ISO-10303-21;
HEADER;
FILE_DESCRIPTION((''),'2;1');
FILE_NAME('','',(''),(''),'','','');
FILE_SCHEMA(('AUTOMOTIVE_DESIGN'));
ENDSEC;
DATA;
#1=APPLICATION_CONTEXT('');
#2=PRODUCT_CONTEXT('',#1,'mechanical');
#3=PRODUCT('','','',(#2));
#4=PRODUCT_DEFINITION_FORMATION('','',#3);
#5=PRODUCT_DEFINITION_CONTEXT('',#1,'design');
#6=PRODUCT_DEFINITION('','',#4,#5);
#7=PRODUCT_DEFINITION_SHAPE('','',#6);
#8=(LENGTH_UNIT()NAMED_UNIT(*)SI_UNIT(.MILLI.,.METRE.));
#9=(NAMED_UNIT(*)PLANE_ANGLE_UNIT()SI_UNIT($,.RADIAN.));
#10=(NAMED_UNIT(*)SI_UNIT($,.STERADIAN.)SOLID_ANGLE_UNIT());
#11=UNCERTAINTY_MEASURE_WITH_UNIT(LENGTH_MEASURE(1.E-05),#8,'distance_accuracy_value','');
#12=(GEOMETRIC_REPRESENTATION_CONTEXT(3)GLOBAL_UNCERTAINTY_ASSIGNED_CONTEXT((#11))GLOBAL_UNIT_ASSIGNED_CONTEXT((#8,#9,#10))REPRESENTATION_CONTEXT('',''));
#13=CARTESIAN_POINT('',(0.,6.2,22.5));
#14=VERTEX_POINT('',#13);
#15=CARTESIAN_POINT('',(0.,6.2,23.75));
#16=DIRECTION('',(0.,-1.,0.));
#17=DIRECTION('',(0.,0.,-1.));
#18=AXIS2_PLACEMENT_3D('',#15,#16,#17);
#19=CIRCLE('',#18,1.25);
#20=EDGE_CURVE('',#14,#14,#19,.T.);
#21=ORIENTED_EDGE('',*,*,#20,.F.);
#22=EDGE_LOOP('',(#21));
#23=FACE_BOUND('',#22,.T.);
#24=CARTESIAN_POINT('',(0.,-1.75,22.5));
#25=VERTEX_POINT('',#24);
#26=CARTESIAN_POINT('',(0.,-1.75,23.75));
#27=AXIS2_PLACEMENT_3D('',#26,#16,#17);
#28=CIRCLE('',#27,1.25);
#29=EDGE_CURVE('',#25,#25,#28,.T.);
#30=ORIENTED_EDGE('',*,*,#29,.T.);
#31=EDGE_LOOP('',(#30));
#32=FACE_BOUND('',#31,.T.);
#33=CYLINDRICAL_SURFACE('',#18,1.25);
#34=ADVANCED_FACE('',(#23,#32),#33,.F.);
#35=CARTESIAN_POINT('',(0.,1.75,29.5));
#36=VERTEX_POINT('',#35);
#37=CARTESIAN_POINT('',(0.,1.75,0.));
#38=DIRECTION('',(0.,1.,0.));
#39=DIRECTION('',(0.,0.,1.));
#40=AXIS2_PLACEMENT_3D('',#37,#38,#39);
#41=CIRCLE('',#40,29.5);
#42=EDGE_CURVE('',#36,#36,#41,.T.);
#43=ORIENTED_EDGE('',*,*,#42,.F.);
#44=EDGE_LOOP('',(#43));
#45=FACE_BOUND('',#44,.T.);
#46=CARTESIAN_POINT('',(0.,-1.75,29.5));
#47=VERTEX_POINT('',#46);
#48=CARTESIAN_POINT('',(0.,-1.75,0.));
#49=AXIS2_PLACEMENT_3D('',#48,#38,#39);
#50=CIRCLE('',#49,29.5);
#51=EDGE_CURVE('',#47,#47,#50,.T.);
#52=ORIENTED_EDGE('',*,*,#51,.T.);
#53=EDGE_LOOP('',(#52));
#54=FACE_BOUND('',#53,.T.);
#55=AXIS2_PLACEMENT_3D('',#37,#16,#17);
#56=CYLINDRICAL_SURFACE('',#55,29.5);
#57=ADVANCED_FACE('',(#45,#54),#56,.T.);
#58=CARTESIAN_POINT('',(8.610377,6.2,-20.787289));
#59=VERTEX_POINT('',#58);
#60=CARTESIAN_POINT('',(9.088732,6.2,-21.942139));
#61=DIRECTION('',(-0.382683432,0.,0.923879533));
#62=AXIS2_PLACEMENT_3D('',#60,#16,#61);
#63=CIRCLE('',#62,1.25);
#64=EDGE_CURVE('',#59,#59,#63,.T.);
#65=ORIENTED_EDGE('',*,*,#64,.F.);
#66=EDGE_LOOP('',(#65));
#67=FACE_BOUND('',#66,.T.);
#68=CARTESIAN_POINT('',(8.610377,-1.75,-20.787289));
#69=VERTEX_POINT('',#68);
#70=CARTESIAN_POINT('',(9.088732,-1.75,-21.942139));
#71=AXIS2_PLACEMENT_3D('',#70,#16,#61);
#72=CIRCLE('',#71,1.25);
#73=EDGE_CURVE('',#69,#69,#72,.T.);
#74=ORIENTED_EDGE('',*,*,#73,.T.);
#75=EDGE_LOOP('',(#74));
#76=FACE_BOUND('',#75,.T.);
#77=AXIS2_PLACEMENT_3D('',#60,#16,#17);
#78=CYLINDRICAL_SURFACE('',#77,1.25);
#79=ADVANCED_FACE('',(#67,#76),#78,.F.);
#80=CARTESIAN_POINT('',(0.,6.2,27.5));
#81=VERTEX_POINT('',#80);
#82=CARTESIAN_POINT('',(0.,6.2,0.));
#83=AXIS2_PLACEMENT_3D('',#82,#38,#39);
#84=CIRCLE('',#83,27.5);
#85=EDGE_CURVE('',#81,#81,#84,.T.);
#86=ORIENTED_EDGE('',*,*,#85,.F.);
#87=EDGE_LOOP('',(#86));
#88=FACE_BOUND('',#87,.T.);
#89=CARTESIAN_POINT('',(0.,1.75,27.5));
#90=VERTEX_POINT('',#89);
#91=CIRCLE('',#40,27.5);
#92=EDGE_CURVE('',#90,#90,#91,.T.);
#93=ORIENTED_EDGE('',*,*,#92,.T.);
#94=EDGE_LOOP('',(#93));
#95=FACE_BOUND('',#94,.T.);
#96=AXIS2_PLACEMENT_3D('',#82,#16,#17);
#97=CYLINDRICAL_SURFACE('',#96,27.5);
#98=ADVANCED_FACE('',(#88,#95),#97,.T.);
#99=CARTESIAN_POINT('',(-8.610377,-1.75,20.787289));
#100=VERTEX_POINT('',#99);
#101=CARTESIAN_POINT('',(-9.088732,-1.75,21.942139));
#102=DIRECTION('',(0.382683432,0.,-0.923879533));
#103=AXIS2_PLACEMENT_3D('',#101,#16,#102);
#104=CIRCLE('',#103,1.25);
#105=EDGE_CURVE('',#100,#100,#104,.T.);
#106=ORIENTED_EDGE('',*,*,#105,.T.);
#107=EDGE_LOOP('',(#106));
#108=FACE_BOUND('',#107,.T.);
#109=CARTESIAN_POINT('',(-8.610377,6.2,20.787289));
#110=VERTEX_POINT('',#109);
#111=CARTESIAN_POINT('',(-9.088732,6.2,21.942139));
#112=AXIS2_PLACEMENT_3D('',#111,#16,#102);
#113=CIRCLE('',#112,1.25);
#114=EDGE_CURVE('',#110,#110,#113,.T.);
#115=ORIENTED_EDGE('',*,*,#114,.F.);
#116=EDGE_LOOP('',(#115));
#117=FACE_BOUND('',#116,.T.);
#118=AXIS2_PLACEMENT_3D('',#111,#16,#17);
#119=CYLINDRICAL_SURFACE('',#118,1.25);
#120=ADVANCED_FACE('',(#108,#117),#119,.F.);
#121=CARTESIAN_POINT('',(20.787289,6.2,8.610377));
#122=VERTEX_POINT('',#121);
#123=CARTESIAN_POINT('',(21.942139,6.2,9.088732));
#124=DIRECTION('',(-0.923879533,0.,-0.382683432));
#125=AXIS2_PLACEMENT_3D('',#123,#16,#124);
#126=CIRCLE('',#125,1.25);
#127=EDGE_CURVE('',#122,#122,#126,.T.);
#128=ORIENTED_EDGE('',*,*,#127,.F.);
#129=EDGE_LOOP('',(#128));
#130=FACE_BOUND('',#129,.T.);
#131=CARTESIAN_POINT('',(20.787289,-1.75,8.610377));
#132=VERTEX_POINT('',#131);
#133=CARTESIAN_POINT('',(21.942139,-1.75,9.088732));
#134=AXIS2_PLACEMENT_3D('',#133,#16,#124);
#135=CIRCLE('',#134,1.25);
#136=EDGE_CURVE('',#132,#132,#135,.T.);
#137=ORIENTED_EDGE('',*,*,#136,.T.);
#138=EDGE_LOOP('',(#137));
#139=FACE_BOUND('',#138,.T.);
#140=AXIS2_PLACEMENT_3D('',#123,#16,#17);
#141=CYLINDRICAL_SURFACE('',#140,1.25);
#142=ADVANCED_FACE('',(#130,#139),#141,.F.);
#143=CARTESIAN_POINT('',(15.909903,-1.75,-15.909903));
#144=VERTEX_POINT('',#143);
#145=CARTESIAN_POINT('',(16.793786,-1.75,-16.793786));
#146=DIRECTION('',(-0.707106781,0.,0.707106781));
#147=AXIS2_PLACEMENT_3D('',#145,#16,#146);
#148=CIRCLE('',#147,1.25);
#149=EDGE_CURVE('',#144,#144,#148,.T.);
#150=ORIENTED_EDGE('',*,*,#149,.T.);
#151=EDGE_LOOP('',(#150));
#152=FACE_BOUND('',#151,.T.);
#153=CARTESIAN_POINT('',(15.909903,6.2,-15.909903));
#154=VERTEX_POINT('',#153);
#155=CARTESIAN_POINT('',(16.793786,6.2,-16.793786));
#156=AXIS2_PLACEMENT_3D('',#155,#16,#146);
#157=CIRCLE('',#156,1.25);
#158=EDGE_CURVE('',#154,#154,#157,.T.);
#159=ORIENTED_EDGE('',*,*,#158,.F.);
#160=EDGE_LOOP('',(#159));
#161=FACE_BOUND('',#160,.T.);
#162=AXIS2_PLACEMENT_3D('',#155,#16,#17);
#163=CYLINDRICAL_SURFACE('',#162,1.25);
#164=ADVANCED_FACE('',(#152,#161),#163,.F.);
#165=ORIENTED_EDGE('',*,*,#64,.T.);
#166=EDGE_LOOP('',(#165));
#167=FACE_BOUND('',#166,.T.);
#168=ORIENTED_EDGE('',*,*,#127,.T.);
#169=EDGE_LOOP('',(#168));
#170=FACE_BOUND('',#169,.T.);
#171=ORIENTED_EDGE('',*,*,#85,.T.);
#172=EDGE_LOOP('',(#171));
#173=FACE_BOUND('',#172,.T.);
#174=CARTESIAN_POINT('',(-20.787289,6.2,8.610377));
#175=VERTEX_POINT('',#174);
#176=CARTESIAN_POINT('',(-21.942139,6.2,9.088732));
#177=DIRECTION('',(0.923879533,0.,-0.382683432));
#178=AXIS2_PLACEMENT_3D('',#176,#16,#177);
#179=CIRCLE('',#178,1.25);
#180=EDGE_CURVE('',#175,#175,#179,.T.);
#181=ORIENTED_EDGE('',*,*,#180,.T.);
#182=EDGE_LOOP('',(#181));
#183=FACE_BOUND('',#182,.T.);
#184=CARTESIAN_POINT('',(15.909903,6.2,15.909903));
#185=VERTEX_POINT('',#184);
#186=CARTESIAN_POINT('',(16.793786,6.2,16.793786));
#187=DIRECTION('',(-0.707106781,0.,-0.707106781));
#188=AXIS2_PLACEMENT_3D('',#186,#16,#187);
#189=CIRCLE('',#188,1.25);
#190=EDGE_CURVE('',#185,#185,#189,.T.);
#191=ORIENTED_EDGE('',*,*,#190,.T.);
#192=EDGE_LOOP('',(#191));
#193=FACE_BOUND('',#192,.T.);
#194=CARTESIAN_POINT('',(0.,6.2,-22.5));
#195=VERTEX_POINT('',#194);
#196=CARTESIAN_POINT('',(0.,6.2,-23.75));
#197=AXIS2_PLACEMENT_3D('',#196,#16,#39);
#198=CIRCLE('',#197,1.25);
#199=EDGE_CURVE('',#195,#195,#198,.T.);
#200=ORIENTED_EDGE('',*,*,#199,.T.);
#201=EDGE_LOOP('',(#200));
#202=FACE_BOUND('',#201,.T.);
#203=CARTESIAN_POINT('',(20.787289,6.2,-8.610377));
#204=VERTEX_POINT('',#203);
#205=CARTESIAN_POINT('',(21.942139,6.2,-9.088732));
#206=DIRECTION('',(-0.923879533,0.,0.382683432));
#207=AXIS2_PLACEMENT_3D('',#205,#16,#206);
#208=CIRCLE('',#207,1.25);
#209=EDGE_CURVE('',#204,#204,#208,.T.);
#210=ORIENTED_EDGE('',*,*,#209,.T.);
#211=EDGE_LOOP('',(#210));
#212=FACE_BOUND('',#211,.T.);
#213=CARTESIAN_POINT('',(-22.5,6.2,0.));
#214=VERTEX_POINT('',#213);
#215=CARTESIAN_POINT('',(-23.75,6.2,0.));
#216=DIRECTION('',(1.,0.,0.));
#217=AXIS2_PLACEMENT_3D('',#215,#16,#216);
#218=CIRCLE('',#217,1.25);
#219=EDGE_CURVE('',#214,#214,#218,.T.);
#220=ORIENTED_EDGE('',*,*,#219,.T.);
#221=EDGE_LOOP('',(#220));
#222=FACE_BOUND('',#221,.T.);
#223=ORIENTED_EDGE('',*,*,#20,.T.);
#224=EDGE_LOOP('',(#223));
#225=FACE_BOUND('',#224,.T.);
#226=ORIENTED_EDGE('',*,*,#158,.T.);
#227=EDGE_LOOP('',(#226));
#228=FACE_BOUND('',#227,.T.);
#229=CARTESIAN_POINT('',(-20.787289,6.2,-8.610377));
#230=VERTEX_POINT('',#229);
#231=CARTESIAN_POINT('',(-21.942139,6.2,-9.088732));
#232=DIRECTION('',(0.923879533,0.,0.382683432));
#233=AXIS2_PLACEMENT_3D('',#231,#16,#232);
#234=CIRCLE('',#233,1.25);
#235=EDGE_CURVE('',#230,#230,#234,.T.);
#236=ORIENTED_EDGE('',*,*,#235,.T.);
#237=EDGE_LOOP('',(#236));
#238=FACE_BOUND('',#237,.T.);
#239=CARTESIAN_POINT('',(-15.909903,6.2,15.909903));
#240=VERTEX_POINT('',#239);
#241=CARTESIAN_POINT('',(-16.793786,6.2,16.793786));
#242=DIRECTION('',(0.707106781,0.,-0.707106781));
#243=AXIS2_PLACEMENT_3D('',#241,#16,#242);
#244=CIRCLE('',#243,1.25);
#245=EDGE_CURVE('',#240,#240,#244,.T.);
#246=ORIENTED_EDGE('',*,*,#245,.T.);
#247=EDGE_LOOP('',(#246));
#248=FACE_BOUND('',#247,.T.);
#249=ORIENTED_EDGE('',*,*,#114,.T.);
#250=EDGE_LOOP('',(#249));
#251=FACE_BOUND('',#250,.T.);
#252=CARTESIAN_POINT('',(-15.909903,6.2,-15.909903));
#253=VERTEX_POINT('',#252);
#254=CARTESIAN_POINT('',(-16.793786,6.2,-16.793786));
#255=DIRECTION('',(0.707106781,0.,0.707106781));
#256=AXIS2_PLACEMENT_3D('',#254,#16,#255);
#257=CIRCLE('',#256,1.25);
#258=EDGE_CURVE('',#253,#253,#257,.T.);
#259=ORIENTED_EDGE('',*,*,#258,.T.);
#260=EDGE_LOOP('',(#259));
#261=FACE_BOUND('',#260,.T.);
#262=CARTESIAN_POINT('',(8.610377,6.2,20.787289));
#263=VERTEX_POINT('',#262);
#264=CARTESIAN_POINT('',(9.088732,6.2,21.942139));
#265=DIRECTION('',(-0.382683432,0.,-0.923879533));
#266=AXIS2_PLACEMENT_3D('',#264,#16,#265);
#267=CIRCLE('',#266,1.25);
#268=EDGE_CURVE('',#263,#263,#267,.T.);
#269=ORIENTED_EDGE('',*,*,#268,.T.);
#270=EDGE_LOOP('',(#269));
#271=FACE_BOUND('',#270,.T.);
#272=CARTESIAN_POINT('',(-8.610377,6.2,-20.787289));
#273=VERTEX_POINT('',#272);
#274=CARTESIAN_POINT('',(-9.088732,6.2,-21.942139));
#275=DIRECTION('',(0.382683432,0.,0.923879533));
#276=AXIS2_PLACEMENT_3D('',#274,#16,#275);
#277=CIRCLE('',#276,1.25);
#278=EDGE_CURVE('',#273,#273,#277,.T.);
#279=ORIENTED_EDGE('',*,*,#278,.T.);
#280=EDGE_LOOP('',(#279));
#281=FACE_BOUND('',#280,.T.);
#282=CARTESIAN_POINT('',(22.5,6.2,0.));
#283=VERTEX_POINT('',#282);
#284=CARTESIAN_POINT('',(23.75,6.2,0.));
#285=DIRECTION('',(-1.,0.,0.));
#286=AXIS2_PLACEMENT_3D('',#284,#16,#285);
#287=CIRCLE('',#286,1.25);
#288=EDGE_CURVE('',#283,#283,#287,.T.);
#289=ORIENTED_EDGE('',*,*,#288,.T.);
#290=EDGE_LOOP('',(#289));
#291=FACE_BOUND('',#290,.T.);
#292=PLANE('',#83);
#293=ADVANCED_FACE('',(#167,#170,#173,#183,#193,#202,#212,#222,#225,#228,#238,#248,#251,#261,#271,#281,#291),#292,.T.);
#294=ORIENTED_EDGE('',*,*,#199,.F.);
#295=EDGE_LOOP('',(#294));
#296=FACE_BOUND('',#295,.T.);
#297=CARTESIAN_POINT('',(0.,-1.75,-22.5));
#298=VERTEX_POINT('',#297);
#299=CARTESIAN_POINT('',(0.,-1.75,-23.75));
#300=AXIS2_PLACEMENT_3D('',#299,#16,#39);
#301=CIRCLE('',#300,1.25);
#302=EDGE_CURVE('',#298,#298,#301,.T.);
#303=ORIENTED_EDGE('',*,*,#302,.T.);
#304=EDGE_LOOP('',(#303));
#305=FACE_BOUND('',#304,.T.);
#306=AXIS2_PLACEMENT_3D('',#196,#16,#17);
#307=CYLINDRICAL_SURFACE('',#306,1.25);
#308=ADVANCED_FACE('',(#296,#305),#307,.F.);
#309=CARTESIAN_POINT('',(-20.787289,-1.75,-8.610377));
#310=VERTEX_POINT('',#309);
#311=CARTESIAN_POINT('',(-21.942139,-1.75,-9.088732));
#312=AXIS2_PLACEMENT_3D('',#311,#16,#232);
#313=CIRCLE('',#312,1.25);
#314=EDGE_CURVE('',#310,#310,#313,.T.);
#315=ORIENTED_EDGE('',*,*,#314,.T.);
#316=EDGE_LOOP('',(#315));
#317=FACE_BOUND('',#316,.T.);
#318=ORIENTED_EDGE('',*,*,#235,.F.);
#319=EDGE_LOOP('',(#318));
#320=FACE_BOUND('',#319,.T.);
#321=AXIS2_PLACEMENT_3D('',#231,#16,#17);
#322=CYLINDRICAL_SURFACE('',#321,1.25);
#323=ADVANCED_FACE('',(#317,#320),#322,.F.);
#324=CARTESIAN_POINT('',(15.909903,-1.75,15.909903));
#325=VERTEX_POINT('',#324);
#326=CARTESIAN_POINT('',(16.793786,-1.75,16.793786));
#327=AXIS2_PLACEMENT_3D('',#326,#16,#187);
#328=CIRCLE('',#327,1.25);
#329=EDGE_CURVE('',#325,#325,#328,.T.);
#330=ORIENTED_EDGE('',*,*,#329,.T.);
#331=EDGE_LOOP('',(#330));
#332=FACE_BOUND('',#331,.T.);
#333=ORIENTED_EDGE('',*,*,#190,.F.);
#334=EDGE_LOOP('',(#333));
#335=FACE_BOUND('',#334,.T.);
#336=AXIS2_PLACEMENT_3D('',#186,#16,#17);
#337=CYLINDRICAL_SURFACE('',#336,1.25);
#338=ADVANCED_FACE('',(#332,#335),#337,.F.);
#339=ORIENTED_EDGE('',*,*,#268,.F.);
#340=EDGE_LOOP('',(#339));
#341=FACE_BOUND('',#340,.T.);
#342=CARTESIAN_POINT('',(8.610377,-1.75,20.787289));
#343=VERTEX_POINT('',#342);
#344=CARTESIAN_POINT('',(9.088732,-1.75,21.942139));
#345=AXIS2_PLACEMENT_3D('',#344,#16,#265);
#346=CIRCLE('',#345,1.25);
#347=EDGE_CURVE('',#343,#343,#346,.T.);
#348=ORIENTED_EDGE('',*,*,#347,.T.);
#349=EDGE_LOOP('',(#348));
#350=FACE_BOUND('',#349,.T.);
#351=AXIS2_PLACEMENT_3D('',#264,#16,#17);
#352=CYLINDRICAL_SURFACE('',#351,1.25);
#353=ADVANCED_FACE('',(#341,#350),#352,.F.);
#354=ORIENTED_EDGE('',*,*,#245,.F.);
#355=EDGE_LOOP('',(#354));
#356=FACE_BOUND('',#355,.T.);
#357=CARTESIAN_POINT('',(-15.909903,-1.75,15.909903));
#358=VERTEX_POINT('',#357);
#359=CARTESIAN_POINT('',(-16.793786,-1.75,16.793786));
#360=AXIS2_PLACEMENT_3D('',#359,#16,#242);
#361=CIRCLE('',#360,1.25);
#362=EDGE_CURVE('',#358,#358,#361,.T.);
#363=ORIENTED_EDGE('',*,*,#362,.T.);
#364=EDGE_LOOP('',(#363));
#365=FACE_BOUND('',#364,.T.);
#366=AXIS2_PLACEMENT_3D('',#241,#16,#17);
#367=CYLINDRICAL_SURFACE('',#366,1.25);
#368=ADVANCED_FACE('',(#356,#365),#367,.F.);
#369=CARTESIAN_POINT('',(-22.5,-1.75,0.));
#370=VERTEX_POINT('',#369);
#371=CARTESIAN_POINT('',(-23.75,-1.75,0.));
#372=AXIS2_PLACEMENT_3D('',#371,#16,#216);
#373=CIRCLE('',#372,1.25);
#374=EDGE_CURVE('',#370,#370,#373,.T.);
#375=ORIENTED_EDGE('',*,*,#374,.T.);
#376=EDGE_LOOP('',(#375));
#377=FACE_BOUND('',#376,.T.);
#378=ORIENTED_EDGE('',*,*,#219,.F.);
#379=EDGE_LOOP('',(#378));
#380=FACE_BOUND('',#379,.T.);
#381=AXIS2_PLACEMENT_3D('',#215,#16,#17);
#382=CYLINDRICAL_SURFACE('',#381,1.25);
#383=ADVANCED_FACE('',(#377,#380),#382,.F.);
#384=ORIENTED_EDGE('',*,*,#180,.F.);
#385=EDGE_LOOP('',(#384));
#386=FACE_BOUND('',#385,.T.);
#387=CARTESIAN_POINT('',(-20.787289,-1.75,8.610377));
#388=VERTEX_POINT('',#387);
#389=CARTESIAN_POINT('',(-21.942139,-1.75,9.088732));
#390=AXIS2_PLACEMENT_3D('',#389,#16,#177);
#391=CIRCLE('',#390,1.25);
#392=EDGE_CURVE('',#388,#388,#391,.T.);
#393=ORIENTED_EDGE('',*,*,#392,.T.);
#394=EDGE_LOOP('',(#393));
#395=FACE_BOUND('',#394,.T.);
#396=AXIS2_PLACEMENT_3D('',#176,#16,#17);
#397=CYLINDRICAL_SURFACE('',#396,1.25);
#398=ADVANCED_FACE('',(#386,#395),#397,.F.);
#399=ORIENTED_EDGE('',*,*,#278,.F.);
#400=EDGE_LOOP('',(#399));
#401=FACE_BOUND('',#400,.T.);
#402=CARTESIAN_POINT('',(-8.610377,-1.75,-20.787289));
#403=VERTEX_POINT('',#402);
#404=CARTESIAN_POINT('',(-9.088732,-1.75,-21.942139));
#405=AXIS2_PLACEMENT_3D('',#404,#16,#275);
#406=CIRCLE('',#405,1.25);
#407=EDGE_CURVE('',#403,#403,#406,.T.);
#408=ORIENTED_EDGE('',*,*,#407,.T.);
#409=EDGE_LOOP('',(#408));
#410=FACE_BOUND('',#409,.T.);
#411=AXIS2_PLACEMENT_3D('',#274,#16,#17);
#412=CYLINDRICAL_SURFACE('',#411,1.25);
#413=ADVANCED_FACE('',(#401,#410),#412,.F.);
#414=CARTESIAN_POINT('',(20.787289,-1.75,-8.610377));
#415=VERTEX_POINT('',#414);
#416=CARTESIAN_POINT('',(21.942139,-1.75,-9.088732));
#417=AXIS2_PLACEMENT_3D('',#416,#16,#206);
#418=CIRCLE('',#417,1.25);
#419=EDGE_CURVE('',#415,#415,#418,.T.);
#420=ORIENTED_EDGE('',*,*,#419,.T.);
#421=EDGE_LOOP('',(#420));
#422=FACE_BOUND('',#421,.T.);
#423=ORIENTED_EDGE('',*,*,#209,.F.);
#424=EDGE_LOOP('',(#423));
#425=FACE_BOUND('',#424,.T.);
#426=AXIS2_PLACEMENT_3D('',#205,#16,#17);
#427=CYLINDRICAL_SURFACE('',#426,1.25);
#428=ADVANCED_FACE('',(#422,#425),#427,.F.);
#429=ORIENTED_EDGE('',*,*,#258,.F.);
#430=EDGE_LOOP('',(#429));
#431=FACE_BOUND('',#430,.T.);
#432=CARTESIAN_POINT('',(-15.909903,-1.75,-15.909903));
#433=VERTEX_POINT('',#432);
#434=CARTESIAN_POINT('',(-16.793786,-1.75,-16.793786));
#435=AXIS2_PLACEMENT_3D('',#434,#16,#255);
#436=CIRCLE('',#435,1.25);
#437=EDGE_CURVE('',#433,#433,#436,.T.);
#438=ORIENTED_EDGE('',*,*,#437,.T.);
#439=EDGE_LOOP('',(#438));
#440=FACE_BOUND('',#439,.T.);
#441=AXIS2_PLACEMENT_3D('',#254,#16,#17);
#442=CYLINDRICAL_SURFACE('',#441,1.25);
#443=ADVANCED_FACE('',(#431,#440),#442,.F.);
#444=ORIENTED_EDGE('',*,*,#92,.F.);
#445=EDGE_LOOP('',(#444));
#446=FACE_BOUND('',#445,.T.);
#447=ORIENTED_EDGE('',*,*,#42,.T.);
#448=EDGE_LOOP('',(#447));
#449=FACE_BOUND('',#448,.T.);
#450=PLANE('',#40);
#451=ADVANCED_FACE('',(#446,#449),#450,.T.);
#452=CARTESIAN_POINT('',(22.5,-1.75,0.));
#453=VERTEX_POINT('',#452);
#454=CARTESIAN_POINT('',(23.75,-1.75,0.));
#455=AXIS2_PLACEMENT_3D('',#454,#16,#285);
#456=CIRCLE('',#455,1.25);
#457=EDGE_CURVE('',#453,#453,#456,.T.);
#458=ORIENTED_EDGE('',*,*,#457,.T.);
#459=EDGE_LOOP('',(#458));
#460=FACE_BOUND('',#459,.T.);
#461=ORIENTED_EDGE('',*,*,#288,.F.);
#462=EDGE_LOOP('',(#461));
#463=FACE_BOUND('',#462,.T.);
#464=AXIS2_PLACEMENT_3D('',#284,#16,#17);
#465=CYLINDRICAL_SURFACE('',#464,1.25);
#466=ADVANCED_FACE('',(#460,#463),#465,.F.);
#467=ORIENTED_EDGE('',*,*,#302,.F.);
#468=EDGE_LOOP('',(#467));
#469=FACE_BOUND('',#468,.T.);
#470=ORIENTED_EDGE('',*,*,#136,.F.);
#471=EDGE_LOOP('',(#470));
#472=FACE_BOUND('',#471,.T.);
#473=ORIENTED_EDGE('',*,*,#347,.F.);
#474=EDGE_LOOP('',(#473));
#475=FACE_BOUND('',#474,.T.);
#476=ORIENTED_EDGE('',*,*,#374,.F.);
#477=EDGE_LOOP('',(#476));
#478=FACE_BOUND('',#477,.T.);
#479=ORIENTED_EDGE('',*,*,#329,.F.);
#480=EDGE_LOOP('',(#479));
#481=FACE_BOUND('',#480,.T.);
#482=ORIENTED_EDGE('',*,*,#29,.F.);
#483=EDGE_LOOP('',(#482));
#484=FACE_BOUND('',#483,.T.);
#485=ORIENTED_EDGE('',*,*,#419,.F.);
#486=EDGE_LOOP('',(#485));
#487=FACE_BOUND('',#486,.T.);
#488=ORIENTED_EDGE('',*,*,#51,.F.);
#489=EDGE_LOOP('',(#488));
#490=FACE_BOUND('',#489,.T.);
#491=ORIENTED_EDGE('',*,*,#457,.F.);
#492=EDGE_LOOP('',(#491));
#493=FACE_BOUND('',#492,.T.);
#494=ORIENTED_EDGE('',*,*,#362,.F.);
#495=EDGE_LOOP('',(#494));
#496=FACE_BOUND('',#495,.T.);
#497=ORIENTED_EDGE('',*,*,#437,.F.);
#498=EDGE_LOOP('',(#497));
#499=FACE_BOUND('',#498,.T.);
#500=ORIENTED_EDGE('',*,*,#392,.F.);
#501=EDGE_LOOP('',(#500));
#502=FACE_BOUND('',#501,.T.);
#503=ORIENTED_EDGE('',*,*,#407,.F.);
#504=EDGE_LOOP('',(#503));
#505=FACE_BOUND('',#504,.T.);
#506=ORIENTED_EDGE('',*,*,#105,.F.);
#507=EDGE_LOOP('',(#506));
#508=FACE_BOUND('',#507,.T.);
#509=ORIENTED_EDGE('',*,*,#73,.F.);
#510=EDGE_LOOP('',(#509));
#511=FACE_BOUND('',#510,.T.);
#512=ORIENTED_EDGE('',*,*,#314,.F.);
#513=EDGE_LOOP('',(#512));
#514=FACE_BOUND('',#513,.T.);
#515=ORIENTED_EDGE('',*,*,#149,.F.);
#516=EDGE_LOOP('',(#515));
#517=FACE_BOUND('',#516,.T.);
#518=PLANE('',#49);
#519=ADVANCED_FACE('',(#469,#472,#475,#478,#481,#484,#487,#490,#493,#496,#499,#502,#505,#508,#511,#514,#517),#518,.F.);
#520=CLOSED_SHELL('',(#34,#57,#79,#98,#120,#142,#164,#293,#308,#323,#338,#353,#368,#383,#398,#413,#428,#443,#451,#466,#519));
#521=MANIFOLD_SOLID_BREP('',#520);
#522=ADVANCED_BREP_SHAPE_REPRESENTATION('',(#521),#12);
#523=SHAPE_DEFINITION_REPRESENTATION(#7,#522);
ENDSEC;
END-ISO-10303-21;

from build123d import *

# Parameters (mm, degrees)
SKETCH1_R           = 29.5
BOSS_EXTRUDE1_DEPTH = 1.75
SKETCH2_R           = 27.5
BOSS_EXTRUDE2_DEPTH = 4.45
SKETCH3_R           = 1.25
CUT_EXTRUDE1_DEPTH  = 43.470018837
CIRPATTERN1_COUNT   = 16


with BuildPart() as part:
    # Sketch1 → Boss-Extrude1 (new, symmetric)
    with BuildSketch(Plane(origin=(0, 0, 0), x_dir=(1, 0, 0), z_dir=(0, 1, 0))):
        with Locations(Location((0, 0, 0), (0, 0, 270))):
            Circle(SKETCH1_R)
    extrude(amount=BOSS_EXTRUDE1_DEPTH, both=True)

    # Sketch2 → Boss-Extrude2 (add)
    with BuildSketch(Plane(origin=(0, 1.75, 0), x_dir=(1, 0, 0), z_dir=(0, 1, 0))):
        with Locations(Location((0, 0, 0), (0, 0, 270))):
            Circle(SKETCH2_R)
    extrude(amount=BOSS_EXTRUDE2_DEPTH)

    # Sketch3 → Cut-Extrude1 (cut, through all)
    with BuildSketch(Plane.XZ.offset(1.75)):
        with Locations(Location((0, 23.75, 0), (0, 0, 270))):
            Circle(SKETCH3_R)
    cut_extrude1 = extrude(amount=-CUT_EXTRUDE1_DEPTH, mode=Mode.SUBTRACT)

    # CirPattern1: Cut-Extrude1 ×16 about axis
    cirpattern1_axis = Axis((0, 0, 0), (0, 1, 0))
    for i in range(1, CIRPATTERN1_COUNT):
        add(cut_extrude1.rotate(cirpattern1_axis, i * 360 / CIRPATTERN1_COUNT), mode=Mode.SUBTRACT)


solid = part.part
